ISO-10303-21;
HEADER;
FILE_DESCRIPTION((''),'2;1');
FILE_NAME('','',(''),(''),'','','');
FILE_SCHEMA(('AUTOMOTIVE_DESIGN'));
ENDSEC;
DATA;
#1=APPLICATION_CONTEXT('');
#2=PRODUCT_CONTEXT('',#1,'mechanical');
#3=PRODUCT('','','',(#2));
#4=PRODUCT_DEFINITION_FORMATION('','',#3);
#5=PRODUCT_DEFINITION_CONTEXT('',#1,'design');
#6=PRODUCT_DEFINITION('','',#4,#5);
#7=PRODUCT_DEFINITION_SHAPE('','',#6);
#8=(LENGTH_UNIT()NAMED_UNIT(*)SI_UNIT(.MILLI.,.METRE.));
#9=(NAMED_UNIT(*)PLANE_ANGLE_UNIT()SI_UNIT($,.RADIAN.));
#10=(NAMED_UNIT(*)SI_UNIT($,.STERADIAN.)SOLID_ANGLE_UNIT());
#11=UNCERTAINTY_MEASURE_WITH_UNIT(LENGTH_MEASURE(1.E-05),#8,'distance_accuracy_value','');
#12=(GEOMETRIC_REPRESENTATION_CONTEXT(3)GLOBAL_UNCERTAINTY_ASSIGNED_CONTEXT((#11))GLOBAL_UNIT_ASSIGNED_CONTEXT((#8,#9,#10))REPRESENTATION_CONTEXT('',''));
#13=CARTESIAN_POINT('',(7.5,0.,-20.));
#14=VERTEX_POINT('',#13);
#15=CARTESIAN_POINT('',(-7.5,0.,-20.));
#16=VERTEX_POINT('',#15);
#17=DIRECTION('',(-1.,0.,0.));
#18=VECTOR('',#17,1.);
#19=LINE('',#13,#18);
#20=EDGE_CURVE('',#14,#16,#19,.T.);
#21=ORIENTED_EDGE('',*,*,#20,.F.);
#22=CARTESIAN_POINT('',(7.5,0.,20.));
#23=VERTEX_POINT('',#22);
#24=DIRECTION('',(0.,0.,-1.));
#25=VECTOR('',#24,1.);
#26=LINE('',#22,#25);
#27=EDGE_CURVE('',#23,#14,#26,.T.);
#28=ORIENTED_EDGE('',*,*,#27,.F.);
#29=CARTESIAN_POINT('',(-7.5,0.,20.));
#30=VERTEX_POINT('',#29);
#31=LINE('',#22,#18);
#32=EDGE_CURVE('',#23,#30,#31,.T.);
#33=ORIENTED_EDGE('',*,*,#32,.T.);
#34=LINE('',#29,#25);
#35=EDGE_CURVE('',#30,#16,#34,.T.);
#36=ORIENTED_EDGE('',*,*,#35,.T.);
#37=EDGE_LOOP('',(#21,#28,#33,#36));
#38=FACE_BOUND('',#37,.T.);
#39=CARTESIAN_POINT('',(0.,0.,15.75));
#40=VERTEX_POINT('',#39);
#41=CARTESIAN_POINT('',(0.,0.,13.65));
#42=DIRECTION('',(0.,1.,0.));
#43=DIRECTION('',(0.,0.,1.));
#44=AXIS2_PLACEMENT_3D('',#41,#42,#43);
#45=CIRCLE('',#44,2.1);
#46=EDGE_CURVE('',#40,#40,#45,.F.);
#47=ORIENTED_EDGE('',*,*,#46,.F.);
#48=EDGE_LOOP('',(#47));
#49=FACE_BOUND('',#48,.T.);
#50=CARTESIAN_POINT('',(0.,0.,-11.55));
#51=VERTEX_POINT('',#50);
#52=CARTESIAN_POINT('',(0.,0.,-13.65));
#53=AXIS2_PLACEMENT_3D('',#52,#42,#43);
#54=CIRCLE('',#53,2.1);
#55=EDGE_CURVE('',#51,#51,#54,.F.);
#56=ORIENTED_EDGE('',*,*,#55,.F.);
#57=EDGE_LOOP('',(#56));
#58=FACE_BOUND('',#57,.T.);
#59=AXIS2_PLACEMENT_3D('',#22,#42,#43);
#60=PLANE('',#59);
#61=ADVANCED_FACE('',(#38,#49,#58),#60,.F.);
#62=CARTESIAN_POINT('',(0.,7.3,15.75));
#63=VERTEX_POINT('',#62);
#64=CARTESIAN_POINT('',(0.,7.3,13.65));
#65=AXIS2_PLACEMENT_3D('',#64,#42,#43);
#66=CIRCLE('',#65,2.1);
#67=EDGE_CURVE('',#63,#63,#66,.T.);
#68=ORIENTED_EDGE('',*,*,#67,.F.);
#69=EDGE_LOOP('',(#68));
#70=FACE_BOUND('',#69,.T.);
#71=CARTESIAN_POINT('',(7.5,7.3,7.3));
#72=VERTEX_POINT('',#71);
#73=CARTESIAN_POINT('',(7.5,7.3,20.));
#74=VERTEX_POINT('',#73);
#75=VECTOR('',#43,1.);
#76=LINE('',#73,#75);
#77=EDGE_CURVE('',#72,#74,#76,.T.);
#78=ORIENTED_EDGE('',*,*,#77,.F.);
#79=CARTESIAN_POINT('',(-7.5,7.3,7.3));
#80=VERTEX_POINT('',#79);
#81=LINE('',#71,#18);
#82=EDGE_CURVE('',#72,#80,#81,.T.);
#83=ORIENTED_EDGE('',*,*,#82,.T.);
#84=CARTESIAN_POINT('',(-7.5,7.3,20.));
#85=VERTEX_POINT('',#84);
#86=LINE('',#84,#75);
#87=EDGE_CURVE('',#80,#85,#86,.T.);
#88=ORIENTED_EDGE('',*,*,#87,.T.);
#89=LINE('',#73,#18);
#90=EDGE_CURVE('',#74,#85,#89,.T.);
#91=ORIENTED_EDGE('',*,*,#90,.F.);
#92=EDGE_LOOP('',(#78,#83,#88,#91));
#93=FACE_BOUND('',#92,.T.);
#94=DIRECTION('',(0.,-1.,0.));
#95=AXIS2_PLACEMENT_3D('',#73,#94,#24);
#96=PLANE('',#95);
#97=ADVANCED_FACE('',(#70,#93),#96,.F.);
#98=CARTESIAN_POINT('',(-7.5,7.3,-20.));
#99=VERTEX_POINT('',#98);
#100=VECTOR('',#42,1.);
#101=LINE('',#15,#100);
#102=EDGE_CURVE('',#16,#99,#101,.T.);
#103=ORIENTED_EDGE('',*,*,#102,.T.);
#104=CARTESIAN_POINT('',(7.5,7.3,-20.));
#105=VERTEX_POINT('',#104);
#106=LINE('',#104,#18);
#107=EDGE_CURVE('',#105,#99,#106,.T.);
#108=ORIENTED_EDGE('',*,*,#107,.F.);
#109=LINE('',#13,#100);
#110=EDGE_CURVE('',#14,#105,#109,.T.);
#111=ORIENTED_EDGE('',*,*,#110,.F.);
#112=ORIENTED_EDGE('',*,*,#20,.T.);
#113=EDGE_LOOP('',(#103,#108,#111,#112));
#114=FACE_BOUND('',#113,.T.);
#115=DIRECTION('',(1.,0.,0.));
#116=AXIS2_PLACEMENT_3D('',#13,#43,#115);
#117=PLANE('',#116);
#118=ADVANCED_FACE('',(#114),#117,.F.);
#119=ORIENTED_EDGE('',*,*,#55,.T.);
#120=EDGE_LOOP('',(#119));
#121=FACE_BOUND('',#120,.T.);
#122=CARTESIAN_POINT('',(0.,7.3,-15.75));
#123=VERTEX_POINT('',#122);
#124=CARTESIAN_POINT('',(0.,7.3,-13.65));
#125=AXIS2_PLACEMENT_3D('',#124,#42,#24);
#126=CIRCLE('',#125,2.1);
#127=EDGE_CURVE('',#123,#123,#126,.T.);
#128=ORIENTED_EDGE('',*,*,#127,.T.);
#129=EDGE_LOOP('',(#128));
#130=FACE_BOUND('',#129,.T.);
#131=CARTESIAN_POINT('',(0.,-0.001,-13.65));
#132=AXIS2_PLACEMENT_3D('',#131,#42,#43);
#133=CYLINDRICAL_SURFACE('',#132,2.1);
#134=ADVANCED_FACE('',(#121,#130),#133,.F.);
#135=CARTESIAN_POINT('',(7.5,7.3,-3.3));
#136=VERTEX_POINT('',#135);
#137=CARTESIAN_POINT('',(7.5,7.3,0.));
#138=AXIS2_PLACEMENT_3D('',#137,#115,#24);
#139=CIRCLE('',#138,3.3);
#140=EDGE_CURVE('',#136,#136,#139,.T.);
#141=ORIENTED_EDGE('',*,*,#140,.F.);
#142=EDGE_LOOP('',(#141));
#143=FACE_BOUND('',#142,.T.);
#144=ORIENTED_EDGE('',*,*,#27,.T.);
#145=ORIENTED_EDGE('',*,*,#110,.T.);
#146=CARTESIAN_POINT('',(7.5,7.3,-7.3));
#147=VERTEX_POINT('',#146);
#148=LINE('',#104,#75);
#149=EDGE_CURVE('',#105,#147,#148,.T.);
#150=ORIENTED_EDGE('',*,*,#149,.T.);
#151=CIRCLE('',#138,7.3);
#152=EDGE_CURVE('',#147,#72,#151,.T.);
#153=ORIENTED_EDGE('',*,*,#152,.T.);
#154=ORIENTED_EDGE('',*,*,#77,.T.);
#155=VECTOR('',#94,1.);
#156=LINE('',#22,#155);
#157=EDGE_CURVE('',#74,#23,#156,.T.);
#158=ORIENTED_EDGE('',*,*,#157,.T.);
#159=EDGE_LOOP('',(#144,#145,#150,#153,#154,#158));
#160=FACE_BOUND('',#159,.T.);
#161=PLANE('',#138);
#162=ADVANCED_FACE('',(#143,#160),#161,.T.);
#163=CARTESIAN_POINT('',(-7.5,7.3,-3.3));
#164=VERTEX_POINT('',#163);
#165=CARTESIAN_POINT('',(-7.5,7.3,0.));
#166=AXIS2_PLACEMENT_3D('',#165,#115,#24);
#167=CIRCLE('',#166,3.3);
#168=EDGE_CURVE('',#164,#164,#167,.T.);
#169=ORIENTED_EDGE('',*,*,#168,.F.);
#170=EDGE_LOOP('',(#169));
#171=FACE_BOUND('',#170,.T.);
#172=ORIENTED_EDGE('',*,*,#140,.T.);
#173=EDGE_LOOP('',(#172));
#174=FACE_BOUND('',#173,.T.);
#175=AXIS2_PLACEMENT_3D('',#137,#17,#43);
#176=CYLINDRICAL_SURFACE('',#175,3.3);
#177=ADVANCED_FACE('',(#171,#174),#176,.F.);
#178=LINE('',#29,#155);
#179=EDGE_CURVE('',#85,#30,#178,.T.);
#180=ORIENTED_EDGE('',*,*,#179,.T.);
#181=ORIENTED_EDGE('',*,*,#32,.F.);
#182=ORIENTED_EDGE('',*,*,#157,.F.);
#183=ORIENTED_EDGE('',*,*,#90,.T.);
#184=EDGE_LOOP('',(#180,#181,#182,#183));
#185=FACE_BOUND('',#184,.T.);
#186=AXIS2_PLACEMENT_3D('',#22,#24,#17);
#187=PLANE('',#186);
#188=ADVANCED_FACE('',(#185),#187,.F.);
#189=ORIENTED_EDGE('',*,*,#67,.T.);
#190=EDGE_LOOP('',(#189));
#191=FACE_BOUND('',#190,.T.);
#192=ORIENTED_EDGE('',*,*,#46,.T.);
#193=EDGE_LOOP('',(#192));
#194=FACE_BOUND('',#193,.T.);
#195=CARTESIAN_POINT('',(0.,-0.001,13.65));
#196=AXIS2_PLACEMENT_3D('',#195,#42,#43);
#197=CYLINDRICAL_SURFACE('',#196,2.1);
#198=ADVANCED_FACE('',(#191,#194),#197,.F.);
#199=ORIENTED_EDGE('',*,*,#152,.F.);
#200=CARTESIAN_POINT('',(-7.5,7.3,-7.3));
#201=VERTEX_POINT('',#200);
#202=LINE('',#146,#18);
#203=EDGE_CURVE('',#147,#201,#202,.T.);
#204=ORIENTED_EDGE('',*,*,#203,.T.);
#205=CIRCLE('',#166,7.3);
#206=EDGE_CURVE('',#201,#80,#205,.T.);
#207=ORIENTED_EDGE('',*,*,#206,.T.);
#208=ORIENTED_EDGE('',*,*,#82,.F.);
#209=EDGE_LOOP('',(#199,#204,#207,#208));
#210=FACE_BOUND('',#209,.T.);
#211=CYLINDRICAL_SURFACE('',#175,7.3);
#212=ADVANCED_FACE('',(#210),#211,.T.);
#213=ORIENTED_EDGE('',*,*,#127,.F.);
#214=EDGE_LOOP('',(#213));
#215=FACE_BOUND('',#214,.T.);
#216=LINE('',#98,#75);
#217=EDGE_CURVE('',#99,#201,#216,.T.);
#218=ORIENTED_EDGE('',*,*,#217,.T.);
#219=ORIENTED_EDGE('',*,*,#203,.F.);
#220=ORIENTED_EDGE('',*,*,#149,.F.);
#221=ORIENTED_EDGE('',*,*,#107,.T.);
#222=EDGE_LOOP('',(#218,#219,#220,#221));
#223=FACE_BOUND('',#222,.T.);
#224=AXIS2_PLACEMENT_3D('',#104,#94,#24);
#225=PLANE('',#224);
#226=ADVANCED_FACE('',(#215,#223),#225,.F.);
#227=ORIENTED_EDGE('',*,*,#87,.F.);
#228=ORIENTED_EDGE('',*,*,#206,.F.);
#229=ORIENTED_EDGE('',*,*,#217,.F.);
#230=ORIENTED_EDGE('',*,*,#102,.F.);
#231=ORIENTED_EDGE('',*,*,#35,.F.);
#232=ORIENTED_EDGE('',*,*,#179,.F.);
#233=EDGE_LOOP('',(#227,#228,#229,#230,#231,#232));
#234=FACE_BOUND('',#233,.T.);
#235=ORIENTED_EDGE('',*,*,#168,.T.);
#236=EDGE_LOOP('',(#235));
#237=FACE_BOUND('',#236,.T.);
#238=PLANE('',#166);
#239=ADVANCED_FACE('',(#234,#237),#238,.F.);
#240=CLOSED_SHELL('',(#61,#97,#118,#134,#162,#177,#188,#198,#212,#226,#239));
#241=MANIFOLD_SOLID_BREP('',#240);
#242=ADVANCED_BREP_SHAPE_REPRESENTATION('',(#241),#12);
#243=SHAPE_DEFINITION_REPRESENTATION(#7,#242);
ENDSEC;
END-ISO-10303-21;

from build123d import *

# Parameters (mm, degrees)
CROQUIS1_R              = 3.3
SALIENTE_EXTRUIR1_DEPTH = 7.5
CORTAR_EXTRUIR1_REACH   = 24.573
CROQUIS2_R              = 2.1


with BuildPart() as part:
    # Croquis1 → Saliente-Extruir1 (new, symmetric)
    with BuildSketch(Plane(origin=(0, 0, 0), x_dir=(0, 0, -1), z_dir=(1, 0, 0))):
        with BuildLine():
            Line((-20, 0), (20, 0))
            Line((20, 0), (20, 7.3))
            Line((20, 7.3), (7.3, 7.3))
            ThreePointArc((7.3, 7.3), (0, 14.6), (-7.3, 7.3))
            Line((-7.3, 7.3), (-20, 7.3))
            Line((-20, 7.3), (-20, 0))
        make_face()
        with Locations((0, 7.3)):
            Circle(CROQUIS1_R, mode=Mode.SUBTRACT)
    extrude(amount=SALIENTE_EXTRUIR1_DEPTH, both=True)

    # Croquis2 → Cortar-Extruir1 (cut, up to next)
    with BuildSketch(Plane(origin=(0, 7.3, 0), x_dir=(1, 0, 0), z_dir=(0, 1, 0)), mode=Mode.PRIVATE) as cortar_extruir1_sk1:
        with Locations(Location((0, -13.65, 0), (0, 0, 270))):
            Circle(CROQUIS2_R)
    cortar_extruir1_tool1 = extrude(cortar_extruir1_sk1.sketch, amount=-CORTAR_EXTRUIR1_REACH, mode=Mode.PRIVATE) & part.part
    # Croquis2 → Cortar-Extruir1 (cut, up to next)
    with BuildSketch(Plane(origin=(0, 7.3, 0), x_dir=(1, 0, 0), z_dir=(0, 1, 0)), mode=Mode.PRIVATE) as cortar_extruir1_sk2:
        with Locations(Location((0, 13.65, 0), (0, 0, 270))):
            Circle(CROQUIS2_R)
    cortar_extruir1_tool2 = extrude(cortar_extruir1_sk2.sketch, amount=-CORTAR_EXTRUIR1_REACH, mode=Mode.PRIVATE) & part.part
    add(cortar_extruir1_tool1.solids().sort_by_distance((0, 7.3, 13.65))[0], mode=Mode.SUBTRACT)
    add(cortar_extruir1_tool2.solids().sort_by_distance((0, 7.3, -13.65))[0], mode=Mode.SUBTRACT)


solid = part.part
